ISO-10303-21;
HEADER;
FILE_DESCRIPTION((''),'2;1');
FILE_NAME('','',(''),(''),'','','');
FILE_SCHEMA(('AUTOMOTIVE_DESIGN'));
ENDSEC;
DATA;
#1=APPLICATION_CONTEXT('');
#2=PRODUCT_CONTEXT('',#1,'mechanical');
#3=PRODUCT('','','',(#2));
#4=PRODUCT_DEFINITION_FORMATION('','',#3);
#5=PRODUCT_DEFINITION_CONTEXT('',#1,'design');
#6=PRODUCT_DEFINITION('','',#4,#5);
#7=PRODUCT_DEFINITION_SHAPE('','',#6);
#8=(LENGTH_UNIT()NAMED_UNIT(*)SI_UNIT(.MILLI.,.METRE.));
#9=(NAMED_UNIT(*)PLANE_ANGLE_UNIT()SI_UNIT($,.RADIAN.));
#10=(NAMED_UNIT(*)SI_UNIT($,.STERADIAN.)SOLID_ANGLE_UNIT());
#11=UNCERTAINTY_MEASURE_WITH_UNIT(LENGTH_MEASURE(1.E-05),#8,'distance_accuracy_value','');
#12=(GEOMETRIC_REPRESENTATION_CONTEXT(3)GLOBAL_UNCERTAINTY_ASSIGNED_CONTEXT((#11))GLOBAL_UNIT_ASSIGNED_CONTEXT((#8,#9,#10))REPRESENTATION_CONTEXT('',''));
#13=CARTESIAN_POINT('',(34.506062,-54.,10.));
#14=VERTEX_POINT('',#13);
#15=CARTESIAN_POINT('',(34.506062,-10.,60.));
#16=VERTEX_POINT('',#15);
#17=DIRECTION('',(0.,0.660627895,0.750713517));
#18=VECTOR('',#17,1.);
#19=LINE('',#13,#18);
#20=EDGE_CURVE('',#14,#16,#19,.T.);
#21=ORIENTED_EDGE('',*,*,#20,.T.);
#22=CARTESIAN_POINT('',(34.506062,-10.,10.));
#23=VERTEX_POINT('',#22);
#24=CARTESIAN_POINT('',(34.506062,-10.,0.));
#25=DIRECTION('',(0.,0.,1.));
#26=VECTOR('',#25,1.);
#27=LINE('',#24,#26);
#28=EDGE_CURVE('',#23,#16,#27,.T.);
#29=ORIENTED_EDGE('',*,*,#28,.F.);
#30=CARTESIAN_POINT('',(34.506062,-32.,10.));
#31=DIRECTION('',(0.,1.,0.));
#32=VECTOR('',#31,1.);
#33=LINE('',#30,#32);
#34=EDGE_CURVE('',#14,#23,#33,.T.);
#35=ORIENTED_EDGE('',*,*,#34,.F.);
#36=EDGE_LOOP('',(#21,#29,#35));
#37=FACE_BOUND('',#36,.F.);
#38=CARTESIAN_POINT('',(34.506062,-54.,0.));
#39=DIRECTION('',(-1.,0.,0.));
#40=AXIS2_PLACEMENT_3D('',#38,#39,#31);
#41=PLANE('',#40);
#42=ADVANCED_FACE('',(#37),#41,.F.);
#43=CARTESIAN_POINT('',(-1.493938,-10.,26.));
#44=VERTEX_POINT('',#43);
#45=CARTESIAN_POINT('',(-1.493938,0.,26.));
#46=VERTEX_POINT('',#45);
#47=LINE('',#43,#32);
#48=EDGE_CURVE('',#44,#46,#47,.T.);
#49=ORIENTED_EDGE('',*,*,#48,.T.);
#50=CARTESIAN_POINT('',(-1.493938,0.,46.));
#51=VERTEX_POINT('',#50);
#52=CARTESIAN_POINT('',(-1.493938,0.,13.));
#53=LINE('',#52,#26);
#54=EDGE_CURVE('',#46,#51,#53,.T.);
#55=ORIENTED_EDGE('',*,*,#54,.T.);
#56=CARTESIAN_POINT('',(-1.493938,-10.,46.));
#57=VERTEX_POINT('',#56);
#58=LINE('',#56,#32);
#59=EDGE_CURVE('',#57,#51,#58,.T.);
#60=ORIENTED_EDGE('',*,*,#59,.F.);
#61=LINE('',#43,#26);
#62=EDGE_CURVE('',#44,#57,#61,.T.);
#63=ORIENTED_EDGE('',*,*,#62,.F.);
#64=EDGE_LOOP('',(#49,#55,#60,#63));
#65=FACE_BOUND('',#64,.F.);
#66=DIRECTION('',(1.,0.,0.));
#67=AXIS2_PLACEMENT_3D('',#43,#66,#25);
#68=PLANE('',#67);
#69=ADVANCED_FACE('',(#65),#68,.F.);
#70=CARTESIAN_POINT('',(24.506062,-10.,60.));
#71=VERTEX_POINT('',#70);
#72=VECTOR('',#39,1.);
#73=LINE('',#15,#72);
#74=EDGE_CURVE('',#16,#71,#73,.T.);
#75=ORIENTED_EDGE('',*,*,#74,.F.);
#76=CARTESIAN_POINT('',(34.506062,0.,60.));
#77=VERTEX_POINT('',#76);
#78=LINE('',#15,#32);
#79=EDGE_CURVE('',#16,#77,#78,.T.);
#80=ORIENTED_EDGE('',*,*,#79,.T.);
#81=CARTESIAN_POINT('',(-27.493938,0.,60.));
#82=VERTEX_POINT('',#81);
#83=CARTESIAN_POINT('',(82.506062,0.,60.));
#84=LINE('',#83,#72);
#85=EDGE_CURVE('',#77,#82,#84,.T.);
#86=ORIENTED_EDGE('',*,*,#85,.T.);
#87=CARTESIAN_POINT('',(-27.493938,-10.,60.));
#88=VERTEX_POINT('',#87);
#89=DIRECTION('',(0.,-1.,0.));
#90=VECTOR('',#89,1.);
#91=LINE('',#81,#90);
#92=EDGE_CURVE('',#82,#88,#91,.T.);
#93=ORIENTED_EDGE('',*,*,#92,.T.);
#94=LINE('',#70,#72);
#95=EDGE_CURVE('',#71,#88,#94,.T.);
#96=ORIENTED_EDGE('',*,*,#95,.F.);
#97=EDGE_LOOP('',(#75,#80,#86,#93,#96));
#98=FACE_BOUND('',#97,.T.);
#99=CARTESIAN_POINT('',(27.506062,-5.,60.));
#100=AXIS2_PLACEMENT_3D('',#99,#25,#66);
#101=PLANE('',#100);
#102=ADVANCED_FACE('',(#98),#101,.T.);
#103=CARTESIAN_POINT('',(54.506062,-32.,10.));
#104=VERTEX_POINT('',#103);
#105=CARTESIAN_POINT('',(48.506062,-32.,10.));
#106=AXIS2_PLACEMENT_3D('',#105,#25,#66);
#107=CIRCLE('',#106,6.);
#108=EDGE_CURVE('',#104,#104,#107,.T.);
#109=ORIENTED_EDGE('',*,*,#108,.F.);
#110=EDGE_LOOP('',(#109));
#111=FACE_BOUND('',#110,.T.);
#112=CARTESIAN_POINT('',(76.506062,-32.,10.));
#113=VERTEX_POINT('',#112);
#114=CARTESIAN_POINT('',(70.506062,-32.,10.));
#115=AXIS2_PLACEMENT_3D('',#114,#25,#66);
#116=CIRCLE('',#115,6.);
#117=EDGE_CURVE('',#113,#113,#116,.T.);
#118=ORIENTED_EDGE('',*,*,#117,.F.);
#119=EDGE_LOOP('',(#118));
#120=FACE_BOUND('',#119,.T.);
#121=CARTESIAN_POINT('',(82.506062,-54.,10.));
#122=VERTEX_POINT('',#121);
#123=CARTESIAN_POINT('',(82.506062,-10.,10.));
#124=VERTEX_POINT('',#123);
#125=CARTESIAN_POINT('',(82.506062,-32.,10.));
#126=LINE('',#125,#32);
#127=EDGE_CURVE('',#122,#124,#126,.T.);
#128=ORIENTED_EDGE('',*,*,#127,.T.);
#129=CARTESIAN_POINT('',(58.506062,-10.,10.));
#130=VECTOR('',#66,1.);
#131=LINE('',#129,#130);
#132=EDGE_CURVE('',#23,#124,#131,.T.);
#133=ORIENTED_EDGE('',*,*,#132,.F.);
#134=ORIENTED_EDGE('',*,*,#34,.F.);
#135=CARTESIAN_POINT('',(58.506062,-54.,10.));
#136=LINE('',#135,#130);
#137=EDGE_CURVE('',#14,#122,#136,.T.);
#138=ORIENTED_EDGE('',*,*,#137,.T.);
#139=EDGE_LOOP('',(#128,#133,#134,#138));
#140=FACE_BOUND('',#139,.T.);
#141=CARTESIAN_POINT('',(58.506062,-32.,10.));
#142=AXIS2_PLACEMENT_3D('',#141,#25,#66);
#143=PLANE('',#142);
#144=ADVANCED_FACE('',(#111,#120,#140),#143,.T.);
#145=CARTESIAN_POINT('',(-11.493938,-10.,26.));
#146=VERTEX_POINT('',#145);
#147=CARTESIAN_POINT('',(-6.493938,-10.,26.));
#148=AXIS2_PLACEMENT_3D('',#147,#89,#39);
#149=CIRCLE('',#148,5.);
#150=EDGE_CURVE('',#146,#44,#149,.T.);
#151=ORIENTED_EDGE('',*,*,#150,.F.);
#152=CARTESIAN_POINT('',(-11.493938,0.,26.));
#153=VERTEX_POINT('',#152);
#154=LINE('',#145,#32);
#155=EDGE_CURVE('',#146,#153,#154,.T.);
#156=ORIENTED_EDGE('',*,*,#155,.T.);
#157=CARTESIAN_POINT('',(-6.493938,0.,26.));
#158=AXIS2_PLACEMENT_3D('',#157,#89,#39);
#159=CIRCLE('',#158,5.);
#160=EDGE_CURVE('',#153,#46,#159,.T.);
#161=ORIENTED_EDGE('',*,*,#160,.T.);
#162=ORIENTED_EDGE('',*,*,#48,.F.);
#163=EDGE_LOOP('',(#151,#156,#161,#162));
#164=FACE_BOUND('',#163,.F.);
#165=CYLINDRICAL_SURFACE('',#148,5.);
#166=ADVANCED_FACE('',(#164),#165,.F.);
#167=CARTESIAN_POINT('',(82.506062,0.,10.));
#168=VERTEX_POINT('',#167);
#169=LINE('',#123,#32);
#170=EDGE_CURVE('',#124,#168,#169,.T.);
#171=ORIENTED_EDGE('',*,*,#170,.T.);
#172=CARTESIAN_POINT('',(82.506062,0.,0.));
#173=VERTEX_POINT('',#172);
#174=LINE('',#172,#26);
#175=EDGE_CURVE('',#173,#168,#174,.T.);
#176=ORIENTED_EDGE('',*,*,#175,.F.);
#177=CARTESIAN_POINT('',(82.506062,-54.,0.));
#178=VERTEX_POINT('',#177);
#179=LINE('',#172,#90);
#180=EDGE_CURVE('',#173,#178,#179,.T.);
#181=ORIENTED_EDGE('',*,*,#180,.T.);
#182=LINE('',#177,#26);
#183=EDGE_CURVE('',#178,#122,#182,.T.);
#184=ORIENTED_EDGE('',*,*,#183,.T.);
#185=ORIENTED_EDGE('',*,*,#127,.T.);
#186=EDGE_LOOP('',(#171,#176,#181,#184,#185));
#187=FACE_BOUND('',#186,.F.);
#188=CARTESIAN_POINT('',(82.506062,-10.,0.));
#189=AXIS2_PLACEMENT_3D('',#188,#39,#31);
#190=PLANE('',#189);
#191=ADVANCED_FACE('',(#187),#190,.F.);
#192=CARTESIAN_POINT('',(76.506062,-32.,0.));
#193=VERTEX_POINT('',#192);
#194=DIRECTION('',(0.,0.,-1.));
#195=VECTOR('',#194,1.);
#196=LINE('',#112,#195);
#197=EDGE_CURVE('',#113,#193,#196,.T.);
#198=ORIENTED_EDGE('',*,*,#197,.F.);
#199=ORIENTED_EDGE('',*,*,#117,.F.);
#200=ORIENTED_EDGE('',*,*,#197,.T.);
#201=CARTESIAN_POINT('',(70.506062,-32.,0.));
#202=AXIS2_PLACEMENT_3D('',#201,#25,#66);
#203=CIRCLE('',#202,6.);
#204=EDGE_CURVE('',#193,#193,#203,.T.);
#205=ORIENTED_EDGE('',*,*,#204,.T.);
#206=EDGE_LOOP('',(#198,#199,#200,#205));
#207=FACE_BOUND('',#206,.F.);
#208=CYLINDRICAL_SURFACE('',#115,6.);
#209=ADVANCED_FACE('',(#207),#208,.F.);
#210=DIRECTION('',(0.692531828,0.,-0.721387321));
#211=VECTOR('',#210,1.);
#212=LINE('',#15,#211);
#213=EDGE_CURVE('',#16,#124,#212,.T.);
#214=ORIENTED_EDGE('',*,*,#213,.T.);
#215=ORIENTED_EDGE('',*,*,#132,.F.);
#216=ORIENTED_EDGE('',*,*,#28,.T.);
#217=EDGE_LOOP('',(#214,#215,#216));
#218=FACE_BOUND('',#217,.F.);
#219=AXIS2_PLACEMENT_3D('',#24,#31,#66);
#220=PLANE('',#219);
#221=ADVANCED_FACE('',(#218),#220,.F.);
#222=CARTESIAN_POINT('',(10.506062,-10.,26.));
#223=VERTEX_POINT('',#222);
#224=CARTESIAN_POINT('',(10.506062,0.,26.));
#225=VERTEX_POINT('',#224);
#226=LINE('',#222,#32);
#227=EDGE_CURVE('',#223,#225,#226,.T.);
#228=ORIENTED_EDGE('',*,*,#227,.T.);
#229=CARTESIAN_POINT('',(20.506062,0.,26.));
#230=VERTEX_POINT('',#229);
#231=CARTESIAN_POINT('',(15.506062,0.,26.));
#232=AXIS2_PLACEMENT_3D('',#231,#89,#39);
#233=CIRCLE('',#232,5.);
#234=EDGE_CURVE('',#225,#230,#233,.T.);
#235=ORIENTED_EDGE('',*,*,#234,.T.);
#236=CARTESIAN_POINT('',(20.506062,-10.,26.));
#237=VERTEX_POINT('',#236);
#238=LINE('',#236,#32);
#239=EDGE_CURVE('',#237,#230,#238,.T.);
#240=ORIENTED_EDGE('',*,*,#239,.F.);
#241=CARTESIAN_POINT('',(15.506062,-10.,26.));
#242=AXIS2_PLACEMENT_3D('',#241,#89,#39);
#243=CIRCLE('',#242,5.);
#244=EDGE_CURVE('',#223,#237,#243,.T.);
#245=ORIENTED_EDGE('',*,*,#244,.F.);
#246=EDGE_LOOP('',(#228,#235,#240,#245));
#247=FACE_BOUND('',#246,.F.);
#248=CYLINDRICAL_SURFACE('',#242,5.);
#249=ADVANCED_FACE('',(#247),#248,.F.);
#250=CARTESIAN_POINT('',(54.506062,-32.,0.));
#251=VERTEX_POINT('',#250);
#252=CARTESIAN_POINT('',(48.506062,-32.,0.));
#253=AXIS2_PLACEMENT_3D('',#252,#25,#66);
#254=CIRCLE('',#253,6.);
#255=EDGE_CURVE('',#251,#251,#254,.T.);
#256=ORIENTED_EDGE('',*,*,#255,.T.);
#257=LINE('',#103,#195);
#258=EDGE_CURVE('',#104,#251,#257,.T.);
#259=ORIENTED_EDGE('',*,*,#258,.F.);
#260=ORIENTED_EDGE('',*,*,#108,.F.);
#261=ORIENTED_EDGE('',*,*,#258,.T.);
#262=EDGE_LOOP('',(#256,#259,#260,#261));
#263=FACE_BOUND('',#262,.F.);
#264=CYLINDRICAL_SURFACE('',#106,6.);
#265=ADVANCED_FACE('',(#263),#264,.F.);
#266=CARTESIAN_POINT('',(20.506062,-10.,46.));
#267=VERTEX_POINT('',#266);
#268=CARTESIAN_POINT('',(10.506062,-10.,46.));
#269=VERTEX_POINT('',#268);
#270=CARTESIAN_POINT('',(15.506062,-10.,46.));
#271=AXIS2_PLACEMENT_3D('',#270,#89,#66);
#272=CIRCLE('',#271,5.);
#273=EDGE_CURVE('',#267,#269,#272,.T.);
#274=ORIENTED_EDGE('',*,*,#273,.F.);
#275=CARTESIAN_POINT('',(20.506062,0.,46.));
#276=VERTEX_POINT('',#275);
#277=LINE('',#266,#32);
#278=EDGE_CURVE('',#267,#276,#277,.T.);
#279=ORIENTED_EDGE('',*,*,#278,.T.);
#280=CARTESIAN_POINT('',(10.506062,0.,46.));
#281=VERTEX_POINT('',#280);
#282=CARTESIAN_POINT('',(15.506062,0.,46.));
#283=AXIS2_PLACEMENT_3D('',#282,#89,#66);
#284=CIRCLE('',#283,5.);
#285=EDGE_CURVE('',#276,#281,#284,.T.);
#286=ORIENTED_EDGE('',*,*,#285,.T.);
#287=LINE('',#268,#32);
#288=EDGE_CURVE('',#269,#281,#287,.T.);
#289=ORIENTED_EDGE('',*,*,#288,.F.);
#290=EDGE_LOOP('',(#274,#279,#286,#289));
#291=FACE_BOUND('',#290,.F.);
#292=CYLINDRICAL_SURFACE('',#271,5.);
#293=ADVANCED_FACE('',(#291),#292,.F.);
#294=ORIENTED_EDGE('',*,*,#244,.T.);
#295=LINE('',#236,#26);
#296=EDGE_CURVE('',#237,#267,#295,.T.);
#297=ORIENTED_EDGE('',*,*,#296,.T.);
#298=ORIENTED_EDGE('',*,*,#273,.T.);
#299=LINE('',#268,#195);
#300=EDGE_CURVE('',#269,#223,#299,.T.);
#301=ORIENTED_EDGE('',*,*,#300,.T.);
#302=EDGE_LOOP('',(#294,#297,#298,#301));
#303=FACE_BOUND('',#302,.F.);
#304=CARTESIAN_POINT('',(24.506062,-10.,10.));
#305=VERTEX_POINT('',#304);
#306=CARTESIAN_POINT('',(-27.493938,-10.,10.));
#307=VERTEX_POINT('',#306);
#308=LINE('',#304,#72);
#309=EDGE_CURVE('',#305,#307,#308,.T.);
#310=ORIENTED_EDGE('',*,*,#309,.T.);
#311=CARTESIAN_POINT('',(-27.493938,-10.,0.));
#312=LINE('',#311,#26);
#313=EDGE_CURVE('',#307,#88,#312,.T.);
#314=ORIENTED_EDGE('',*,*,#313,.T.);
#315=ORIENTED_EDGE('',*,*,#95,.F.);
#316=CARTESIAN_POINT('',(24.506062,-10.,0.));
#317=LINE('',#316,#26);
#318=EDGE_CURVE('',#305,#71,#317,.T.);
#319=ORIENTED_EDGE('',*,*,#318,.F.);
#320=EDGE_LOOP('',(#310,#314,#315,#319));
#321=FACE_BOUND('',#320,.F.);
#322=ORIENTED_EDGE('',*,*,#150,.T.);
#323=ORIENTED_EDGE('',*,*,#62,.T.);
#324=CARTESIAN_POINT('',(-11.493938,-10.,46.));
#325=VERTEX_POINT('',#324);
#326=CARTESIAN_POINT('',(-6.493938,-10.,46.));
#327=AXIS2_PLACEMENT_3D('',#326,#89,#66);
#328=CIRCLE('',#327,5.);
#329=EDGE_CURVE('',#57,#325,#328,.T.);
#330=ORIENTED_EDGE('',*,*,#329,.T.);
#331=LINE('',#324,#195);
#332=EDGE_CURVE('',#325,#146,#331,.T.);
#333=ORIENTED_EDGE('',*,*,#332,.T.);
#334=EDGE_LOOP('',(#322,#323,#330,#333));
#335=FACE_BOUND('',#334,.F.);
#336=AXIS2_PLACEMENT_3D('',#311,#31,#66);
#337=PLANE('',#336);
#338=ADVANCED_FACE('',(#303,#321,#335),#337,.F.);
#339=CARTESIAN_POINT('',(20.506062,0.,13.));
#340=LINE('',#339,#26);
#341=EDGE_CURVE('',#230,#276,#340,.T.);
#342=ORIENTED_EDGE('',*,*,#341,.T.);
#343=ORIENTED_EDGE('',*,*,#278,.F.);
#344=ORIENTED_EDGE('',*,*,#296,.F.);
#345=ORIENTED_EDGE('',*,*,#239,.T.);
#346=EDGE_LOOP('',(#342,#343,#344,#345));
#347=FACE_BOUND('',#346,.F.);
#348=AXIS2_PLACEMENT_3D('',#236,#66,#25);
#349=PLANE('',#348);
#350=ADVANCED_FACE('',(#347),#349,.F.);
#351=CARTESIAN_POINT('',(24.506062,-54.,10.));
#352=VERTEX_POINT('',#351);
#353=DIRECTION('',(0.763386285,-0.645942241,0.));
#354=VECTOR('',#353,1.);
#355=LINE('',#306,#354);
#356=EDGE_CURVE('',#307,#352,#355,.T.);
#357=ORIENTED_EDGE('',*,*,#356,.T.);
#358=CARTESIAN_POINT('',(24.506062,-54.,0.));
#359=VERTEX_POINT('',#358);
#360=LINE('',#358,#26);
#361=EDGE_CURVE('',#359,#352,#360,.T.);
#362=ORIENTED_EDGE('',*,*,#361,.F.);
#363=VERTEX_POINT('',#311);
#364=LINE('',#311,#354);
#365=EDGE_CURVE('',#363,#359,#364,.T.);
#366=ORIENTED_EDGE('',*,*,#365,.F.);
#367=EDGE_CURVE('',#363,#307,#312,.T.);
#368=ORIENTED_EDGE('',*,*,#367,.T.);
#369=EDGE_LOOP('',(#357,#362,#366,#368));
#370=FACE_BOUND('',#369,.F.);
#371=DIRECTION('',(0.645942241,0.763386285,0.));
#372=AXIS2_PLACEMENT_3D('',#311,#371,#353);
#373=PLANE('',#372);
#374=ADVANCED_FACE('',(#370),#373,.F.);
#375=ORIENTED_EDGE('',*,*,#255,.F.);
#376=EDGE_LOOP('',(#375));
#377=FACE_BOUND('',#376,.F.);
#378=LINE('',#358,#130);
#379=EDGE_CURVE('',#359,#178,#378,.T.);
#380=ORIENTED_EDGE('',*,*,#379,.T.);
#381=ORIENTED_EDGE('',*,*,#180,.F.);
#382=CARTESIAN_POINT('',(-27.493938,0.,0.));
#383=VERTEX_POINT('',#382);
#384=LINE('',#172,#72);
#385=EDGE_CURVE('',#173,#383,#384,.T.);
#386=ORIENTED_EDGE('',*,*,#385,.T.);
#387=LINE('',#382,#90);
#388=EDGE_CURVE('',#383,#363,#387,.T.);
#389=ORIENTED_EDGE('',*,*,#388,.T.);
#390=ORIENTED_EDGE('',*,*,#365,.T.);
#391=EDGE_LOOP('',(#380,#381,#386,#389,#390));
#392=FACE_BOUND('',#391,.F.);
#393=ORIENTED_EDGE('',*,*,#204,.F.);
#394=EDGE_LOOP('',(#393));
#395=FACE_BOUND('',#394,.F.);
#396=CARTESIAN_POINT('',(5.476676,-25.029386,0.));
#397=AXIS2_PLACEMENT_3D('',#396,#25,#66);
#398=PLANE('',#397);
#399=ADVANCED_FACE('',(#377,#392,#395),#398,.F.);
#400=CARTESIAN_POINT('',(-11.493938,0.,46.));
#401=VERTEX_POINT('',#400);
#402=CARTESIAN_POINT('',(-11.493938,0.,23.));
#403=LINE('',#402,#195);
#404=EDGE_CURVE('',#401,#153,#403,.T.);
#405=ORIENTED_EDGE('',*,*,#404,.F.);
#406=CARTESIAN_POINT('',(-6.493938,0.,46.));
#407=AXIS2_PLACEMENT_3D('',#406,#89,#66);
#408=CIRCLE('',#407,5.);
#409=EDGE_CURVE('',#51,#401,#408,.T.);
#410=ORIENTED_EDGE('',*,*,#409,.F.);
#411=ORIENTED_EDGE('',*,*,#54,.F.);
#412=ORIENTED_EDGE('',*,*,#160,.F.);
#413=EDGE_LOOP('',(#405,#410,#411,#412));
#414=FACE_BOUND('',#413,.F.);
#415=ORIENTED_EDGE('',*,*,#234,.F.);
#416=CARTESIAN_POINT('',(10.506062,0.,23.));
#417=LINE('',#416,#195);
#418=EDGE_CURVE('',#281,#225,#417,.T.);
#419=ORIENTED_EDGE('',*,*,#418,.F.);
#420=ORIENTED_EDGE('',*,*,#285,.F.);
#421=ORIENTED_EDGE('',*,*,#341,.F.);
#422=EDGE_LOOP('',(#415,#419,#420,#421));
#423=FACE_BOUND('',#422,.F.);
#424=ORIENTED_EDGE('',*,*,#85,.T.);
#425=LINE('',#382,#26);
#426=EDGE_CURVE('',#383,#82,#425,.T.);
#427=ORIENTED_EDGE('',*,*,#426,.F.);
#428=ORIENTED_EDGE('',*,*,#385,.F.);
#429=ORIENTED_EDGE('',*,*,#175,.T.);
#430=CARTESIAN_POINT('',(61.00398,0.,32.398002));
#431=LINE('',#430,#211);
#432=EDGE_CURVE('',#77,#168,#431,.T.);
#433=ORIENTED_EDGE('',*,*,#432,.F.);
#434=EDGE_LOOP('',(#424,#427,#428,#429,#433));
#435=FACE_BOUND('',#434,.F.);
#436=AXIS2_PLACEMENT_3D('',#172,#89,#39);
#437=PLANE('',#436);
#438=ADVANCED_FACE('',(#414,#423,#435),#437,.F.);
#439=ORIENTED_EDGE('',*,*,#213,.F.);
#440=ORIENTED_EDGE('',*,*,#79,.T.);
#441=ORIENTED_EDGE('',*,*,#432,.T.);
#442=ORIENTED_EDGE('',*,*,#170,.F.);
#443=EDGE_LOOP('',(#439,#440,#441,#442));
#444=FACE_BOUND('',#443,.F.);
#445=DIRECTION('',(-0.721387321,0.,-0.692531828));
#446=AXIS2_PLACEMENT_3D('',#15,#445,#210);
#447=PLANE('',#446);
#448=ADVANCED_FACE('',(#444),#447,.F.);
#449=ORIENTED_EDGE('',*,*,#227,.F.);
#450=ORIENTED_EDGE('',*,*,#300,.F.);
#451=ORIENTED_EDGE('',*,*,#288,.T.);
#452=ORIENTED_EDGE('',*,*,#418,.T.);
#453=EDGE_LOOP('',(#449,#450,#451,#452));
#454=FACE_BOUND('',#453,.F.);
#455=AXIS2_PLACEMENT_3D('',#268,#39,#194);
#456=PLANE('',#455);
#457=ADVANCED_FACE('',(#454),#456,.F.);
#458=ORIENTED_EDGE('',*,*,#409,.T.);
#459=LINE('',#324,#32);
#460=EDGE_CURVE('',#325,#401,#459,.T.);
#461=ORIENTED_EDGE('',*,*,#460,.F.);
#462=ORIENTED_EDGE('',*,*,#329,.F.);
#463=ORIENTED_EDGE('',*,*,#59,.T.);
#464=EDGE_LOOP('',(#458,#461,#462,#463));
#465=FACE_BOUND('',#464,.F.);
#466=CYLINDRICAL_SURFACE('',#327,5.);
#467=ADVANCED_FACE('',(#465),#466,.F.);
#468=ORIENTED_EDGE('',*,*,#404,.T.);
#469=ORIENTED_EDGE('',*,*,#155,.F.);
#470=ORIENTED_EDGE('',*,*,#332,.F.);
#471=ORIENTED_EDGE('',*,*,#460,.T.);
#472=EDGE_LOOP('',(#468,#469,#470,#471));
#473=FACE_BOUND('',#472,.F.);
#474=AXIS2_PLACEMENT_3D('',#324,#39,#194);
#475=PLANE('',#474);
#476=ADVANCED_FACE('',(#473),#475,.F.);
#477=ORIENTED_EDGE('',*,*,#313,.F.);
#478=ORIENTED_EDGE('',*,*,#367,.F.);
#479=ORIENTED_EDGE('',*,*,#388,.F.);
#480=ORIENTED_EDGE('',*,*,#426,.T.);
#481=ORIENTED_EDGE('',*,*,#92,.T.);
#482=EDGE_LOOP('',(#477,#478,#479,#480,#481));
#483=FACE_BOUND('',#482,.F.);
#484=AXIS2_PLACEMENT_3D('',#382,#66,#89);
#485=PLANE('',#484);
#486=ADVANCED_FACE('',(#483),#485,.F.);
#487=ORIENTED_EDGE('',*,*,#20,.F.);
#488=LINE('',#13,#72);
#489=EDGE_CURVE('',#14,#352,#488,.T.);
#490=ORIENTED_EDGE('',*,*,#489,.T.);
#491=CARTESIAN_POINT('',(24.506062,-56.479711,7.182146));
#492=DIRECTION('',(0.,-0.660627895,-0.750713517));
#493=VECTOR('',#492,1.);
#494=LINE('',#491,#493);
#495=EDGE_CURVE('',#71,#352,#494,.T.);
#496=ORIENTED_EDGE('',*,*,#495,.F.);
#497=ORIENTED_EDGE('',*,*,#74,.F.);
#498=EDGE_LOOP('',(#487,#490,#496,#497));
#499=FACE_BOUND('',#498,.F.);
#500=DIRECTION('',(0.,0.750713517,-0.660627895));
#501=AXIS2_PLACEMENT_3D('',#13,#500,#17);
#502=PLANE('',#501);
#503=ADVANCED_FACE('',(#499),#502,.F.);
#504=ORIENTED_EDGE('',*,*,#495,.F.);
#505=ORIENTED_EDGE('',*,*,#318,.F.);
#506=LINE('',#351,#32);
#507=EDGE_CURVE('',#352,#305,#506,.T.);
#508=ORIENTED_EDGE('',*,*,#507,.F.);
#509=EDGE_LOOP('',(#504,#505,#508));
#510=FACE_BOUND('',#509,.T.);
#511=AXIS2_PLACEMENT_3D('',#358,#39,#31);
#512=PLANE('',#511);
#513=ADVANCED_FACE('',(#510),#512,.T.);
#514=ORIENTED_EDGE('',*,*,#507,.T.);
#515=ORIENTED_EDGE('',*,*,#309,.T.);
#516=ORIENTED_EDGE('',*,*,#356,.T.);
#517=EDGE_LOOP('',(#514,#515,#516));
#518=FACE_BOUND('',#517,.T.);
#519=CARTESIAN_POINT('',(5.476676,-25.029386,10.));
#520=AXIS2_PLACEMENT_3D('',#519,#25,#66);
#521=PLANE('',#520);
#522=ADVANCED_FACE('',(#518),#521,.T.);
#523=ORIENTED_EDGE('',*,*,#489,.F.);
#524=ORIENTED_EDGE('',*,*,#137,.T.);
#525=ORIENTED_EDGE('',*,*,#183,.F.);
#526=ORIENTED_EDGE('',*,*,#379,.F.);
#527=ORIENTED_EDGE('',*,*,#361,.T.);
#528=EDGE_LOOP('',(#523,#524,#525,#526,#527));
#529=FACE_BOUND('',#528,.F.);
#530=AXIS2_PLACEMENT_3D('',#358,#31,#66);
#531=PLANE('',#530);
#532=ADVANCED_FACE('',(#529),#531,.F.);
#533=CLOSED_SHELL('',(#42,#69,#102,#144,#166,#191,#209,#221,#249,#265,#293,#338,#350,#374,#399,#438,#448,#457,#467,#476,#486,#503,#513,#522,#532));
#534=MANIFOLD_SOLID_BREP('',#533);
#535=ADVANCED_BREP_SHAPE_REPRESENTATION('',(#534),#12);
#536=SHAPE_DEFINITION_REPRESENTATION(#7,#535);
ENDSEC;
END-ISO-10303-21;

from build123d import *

# Parameters (mm, degrees)
F0_W      = 10
F0_H      = 44
F1_DEPTH  = 60
F0_W_2    = 48
F2_DEPTH  = 10
F4_DEPTH  = 25
F6_DEPTH  = 25
F7_R      = 6
F8_DEPTH  = 10.001
F10_DEPTH = 10.001


with BuildPart() as f1:
    # F0 (on Top) → F1 (new body)
    with BuildSketch(Plane.XY):
        Polygon((82.506062, 0), (-27.493938, 0), (-27.493938, -10), (24.506062, -10), (34.506062, -10), (82.506062, -10), align=None)
        with Locations((29.506062, -32)):
            Rectangle(F0_W, F0_H)
    extrude(amount=F1_DEPTH)

    # F0 (on Top) → F2 (join)
    with BuildSketch(Plane.XY):
        Polygon((24.506062, -10), (-27.493938, -10), (24.506062, -54), align=None)
        with Locations((58.506062, -32)):
            Rectangle(F0_W_2, F0_H)
    extrude(amount=F2_DEPTH)

    # F3 (on face) → F4 (cut)
    with BuildSketch(Plane.YZ.offset(34.506062)):
        Polygon((-54, 60), (-54, 10), (-10, 60), align=None)
    extrude(amount=-F4_DEPTH, mode=Mode.SUBTRACT)

    # F5 (on face) → F6 (cut)
    with BuildSketch(Plane.XZ.offset(10)):
        Polygon((82.506062, 60), (34.506062, 60), (82.506062, 10), align=None)
    extrude(amount=-F6_DEPTH, mode=Mode.SUBTRACT)

    # F7 (on face) → F8 (cut, through all)
    with BuildSketch(Plane.XY.offset(10)):
        with Locations((48.506062, -32)):
            Circle(F7_R)
        with Locations((70.506062, -32)):
            Circle(F7_R)
    extrude(amount=-F8_DEPTH, mode=Mode.SUBTRACT)

    # F9 (on face) → F10 (cut, through all)
    with BuildSketch(Plane.XZ.offset(10)):
        with BuildLine():
            ThreePointArc((-1.493938, 46), (-6.493938, 51), (-11.493938, 46))
            Line((-11.493938, 46), (-11.493938, 26))
            ThreePointArc((-11.493938, 26), (-6.493938, 21), (-1.493938, 26))
            Line((-1.493938, 26), (-1.493938, 46))
        make_face()
        with BuildLine():
            ThreePointArc((20.506062, 46), (15.506062, 51), (10.506062, 46))
            Line((10.506062, 46), (10.506062, 26))
            ThreePointArc((10.506062, 26), (15.506062, 21), (20.506062, 26))
            Line((20.506062, 26), (20.506062, 46))
        make_face()
    extrude(amount=-F10_DEPTH, mode=Mode.SUBTRACT)


solid = f1.part
